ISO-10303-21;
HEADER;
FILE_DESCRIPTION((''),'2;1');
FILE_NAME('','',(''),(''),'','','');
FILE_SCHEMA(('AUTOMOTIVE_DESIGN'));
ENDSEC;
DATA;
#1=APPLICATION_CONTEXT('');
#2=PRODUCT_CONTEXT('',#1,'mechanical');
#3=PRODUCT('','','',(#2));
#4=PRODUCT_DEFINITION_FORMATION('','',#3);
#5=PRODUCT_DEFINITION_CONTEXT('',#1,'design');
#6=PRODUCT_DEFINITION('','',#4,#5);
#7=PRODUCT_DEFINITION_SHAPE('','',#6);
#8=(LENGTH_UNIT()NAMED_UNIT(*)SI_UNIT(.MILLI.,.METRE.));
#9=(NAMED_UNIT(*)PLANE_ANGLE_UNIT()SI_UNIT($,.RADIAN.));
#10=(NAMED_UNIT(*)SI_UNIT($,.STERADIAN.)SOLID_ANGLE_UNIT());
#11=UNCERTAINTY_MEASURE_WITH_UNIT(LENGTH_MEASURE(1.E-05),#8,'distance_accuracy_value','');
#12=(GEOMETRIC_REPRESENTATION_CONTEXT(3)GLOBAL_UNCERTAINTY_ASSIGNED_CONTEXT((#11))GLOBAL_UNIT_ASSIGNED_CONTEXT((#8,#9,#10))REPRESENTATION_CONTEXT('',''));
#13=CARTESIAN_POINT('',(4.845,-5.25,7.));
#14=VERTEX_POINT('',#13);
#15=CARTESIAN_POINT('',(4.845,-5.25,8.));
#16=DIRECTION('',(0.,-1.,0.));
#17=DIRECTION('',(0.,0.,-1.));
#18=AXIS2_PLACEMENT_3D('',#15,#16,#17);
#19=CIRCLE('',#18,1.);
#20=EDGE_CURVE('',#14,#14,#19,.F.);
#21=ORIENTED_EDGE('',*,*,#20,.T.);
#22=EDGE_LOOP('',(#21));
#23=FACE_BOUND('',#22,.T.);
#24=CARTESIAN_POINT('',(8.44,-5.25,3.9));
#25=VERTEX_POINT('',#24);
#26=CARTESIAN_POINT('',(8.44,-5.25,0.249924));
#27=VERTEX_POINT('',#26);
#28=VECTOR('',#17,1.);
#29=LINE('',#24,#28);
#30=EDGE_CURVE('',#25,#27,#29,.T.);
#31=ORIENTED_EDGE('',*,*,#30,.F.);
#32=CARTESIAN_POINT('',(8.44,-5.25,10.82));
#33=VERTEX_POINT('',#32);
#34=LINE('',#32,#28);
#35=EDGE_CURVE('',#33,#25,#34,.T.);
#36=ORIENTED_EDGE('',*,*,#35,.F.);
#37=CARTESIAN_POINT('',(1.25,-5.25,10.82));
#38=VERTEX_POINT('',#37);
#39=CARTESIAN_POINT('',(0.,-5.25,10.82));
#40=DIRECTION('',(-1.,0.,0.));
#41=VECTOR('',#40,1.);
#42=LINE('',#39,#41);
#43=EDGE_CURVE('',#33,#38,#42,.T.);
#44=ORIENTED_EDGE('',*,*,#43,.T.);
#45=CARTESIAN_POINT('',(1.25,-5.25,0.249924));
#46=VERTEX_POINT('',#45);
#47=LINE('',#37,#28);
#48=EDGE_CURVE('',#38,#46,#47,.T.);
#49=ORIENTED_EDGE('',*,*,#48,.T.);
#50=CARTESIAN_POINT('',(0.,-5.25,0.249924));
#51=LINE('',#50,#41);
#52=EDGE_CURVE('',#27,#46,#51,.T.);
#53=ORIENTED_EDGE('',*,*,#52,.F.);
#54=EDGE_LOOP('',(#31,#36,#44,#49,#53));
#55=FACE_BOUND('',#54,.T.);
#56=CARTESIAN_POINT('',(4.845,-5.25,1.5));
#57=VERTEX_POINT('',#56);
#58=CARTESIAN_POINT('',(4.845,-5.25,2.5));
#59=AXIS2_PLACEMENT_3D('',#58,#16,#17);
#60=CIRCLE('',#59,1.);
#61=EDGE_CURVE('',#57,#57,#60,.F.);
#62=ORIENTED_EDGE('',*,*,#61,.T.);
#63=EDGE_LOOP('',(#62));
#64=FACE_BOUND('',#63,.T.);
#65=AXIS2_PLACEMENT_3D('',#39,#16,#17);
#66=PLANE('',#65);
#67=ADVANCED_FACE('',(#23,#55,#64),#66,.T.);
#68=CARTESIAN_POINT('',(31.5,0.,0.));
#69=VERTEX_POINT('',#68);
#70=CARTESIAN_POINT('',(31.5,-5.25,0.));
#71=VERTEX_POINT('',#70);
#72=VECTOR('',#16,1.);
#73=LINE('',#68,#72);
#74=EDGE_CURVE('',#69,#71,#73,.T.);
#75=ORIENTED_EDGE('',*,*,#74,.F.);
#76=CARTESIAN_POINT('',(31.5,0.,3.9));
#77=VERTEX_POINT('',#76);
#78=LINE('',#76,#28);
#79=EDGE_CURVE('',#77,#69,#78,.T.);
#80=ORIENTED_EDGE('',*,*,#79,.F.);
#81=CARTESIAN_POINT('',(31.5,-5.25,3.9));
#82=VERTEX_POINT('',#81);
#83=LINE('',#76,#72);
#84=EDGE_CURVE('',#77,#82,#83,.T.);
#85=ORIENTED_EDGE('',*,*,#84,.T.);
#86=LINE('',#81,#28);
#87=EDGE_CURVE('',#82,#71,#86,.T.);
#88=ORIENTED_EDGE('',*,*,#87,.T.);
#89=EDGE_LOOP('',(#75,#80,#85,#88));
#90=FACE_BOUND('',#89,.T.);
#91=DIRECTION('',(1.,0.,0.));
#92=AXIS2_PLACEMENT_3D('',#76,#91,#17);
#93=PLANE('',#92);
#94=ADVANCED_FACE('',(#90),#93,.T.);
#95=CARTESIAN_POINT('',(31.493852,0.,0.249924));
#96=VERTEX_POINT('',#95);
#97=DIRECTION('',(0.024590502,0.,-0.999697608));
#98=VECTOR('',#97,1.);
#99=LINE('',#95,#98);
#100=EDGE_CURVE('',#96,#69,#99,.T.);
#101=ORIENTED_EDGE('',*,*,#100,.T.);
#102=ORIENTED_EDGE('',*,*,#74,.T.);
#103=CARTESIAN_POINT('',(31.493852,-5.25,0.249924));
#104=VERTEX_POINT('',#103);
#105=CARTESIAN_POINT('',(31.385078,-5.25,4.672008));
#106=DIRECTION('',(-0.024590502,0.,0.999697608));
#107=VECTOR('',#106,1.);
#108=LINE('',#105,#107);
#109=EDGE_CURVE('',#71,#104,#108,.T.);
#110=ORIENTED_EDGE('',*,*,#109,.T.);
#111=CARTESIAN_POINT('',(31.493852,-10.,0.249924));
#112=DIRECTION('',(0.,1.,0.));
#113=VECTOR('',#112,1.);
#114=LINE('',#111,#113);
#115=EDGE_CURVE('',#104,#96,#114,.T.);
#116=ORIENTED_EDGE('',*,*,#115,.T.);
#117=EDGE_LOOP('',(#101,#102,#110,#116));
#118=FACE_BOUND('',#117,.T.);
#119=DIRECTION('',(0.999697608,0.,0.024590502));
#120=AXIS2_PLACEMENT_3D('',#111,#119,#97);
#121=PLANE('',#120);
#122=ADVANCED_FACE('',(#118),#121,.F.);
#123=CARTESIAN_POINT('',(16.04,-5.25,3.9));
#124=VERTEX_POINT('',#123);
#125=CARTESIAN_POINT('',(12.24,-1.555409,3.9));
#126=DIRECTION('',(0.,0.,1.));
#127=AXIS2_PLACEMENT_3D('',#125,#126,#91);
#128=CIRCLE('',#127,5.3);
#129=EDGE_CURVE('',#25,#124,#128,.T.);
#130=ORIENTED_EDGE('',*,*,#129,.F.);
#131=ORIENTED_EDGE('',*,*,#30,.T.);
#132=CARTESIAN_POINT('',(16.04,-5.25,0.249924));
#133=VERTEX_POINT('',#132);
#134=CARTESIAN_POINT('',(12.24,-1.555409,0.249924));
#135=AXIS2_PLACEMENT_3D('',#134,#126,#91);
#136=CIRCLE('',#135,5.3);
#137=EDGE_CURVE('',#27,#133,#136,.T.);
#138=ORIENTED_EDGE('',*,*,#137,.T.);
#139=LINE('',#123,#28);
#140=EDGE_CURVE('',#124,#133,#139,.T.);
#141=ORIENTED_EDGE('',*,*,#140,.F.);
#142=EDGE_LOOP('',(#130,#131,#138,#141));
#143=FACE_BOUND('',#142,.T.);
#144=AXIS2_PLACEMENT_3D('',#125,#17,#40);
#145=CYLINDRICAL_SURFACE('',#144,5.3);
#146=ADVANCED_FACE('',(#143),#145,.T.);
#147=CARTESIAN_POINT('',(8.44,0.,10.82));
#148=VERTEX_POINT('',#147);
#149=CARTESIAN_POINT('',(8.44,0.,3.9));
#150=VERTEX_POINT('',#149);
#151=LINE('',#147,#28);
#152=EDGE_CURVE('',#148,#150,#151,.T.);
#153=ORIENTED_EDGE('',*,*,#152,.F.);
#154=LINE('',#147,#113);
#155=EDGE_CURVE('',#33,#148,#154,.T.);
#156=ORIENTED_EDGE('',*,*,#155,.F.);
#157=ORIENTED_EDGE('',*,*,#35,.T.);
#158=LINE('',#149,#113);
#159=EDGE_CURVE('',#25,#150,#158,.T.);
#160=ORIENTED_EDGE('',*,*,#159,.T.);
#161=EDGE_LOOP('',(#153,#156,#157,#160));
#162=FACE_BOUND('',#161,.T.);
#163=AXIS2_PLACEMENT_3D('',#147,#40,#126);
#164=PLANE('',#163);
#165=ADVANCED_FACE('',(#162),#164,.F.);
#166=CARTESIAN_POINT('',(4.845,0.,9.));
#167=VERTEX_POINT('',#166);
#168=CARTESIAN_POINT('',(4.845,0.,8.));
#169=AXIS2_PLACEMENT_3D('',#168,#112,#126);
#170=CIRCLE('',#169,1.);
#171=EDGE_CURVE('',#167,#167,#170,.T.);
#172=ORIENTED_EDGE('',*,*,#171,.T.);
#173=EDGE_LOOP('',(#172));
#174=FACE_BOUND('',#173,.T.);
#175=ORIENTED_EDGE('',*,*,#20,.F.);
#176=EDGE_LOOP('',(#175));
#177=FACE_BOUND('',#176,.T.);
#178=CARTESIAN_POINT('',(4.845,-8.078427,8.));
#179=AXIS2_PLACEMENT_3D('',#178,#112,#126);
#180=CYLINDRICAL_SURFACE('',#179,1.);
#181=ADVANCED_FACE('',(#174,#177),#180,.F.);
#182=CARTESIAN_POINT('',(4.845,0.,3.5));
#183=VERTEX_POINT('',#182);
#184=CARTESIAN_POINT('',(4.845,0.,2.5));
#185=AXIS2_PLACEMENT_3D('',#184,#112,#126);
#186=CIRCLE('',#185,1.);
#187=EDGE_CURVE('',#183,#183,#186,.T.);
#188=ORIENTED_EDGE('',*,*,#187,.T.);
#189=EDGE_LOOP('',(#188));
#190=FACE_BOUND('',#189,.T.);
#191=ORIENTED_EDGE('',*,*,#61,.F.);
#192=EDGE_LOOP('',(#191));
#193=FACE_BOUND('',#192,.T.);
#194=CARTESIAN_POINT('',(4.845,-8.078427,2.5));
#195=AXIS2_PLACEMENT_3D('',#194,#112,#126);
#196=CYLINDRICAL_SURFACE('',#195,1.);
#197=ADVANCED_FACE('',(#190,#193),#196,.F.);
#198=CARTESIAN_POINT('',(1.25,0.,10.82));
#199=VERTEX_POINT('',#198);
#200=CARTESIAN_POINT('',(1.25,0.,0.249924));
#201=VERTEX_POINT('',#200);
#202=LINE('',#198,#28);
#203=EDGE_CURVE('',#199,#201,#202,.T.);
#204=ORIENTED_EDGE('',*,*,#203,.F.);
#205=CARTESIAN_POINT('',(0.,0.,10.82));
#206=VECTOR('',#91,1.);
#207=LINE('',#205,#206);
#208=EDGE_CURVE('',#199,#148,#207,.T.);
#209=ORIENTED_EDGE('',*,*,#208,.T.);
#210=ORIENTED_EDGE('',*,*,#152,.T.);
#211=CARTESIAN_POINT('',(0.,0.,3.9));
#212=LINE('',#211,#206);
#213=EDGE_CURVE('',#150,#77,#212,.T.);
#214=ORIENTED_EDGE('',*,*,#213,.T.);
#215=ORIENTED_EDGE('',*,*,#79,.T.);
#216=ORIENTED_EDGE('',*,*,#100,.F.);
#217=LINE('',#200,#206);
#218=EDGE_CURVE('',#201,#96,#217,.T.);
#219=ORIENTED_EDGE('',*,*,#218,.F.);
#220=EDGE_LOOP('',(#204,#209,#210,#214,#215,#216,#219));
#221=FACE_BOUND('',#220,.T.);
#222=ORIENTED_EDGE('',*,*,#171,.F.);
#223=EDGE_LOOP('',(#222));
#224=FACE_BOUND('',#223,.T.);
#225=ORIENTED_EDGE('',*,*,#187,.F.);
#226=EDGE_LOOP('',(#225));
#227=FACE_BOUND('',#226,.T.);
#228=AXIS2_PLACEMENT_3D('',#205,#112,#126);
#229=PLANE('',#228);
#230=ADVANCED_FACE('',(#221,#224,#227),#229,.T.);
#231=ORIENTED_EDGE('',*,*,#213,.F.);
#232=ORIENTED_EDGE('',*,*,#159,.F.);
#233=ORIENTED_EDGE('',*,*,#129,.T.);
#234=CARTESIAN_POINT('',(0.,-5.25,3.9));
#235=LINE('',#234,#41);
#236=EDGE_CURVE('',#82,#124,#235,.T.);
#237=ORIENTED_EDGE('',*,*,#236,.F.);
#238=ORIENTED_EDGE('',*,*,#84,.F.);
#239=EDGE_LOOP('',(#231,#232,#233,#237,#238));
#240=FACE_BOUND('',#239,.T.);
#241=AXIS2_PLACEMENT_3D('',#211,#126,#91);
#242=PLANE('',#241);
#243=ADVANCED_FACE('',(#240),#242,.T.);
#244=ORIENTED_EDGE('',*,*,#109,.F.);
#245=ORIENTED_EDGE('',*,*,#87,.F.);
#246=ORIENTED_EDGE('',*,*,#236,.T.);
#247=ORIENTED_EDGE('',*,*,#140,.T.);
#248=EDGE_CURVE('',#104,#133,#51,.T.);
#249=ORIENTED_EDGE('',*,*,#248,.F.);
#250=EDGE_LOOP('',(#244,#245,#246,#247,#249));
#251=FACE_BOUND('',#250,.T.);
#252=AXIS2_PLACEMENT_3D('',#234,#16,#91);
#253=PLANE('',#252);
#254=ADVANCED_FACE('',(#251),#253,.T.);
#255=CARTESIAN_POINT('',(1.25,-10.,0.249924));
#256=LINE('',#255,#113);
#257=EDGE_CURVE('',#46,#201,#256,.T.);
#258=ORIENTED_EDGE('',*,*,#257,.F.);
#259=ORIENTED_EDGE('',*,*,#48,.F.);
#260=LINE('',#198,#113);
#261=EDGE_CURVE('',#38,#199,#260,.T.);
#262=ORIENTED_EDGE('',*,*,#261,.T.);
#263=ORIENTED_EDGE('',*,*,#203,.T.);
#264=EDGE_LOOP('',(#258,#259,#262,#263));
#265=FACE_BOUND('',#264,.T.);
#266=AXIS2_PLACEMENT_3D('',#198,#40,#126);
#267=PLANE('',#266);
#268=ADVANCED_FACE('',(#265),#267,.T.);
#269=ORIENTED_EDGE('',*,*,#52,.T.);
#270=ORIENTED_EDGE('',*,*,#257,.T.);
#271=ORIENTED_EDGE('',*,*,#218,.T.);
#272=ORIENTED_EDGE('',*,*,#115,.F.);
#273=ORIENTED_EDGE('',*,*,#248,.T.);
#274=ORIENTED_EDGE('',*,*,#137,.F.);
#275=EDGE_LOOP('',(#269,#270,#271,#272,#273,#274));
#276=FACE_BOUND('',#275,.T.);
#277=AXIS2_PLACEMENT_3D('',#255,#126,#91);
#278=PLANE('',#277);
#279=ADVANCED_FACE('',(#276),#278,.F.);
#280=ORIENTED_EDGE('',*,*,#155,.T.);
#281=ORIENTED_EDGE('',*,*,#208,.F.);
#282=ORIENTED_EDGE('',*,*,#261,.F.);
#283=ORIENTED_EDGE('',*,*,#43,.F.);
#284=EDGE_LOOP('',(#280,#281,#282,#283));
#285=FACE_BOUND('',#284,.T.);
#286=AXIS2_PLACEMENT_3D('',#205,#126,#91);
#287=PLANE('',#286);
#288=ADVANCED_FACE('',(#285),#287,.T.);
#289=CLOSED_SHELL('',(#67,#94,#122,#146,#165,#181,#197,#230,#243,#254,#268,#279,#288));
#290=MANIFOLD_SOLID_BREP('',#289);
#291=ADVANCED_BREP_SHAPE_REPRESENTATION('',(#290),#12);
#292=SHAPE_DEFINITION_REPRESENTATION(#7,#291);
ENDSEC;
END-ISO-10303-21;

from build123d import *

# Parameters (mm, degrees)
BOSS_EXTRUDE3_DEPTH = 10.82
BOSS_EXTRUDE4_DEPTH = 3.9
SKETCH3_R           = 1
CUT_EXTRUDE1_DEPTH  = 5.25
CUT_EXTRUDE2_DEPTH  = 10


with BuildPart() as part:
    # Sketch2 → Boss-Extrude3 (new body)
    with BuildSketch(Plane.XY):
        Polygon((8.44, 0), (3, 0), (1.25, 0), (1.25, -5.25), (3, -5.25), (8.44, -5.25), align=None)
    extrude(amount=BOSS_EXTRUDE3_DEPTH)

    # Sketch2<5> → Boss-Extrude4 (add)
    with BuildSketch(Plane.XY):
        with BuildLine():
            Line((31.5, 0), (8.44, 0))
            Line((8.44, 0), (8.44, -5.25))
            ThreePointArc((8.44, -5.25), (12.24, -6.85540936), (16.04, -5.25))
            Line((16.04, -5.25), (31.5, -5.25))
            Line((31.5, -5.25), (31.5, 0))
        make_face()
    extrude(amount=BOSS_EXTRUDE4_DEPTH)

    # Sketch3 → Cut-Extrude1 (cut)
    with BuildSketch(Plane(origin=(0, 0, 0), x_dir=(1, 0, 0), z_dir=(0, 1, 0))):
        with Locations(Location((4.845, -2.5, 0), (0, 0, 270))):
            Circle(SKETCH3_R)
        with Locations(Location((4.845, -8, 0), (0, 0, 270))):
            Circle(SKETCH3_R)
    extrude(amount=-CUT_EXTRUDE1_DEPTH, mode=Mode.SUBTRACT)

    # Sketch4 → Cut-Extrude2 (cut)
    with BuildSketch(Plane(origin=(0, 0, 0), x_dir=(1, 0, 0), z_dir=(0, 1, 0))):
        Polygon((1.25, 0), (1.25, -0.249924402), (31.493852375, -0.249924402), (31.5, 0), align=None)
    extrude(amount=-CUT_EXTRUDE2_DEPTH, mode=Mode.SUBTRACT)


solid = part.part
